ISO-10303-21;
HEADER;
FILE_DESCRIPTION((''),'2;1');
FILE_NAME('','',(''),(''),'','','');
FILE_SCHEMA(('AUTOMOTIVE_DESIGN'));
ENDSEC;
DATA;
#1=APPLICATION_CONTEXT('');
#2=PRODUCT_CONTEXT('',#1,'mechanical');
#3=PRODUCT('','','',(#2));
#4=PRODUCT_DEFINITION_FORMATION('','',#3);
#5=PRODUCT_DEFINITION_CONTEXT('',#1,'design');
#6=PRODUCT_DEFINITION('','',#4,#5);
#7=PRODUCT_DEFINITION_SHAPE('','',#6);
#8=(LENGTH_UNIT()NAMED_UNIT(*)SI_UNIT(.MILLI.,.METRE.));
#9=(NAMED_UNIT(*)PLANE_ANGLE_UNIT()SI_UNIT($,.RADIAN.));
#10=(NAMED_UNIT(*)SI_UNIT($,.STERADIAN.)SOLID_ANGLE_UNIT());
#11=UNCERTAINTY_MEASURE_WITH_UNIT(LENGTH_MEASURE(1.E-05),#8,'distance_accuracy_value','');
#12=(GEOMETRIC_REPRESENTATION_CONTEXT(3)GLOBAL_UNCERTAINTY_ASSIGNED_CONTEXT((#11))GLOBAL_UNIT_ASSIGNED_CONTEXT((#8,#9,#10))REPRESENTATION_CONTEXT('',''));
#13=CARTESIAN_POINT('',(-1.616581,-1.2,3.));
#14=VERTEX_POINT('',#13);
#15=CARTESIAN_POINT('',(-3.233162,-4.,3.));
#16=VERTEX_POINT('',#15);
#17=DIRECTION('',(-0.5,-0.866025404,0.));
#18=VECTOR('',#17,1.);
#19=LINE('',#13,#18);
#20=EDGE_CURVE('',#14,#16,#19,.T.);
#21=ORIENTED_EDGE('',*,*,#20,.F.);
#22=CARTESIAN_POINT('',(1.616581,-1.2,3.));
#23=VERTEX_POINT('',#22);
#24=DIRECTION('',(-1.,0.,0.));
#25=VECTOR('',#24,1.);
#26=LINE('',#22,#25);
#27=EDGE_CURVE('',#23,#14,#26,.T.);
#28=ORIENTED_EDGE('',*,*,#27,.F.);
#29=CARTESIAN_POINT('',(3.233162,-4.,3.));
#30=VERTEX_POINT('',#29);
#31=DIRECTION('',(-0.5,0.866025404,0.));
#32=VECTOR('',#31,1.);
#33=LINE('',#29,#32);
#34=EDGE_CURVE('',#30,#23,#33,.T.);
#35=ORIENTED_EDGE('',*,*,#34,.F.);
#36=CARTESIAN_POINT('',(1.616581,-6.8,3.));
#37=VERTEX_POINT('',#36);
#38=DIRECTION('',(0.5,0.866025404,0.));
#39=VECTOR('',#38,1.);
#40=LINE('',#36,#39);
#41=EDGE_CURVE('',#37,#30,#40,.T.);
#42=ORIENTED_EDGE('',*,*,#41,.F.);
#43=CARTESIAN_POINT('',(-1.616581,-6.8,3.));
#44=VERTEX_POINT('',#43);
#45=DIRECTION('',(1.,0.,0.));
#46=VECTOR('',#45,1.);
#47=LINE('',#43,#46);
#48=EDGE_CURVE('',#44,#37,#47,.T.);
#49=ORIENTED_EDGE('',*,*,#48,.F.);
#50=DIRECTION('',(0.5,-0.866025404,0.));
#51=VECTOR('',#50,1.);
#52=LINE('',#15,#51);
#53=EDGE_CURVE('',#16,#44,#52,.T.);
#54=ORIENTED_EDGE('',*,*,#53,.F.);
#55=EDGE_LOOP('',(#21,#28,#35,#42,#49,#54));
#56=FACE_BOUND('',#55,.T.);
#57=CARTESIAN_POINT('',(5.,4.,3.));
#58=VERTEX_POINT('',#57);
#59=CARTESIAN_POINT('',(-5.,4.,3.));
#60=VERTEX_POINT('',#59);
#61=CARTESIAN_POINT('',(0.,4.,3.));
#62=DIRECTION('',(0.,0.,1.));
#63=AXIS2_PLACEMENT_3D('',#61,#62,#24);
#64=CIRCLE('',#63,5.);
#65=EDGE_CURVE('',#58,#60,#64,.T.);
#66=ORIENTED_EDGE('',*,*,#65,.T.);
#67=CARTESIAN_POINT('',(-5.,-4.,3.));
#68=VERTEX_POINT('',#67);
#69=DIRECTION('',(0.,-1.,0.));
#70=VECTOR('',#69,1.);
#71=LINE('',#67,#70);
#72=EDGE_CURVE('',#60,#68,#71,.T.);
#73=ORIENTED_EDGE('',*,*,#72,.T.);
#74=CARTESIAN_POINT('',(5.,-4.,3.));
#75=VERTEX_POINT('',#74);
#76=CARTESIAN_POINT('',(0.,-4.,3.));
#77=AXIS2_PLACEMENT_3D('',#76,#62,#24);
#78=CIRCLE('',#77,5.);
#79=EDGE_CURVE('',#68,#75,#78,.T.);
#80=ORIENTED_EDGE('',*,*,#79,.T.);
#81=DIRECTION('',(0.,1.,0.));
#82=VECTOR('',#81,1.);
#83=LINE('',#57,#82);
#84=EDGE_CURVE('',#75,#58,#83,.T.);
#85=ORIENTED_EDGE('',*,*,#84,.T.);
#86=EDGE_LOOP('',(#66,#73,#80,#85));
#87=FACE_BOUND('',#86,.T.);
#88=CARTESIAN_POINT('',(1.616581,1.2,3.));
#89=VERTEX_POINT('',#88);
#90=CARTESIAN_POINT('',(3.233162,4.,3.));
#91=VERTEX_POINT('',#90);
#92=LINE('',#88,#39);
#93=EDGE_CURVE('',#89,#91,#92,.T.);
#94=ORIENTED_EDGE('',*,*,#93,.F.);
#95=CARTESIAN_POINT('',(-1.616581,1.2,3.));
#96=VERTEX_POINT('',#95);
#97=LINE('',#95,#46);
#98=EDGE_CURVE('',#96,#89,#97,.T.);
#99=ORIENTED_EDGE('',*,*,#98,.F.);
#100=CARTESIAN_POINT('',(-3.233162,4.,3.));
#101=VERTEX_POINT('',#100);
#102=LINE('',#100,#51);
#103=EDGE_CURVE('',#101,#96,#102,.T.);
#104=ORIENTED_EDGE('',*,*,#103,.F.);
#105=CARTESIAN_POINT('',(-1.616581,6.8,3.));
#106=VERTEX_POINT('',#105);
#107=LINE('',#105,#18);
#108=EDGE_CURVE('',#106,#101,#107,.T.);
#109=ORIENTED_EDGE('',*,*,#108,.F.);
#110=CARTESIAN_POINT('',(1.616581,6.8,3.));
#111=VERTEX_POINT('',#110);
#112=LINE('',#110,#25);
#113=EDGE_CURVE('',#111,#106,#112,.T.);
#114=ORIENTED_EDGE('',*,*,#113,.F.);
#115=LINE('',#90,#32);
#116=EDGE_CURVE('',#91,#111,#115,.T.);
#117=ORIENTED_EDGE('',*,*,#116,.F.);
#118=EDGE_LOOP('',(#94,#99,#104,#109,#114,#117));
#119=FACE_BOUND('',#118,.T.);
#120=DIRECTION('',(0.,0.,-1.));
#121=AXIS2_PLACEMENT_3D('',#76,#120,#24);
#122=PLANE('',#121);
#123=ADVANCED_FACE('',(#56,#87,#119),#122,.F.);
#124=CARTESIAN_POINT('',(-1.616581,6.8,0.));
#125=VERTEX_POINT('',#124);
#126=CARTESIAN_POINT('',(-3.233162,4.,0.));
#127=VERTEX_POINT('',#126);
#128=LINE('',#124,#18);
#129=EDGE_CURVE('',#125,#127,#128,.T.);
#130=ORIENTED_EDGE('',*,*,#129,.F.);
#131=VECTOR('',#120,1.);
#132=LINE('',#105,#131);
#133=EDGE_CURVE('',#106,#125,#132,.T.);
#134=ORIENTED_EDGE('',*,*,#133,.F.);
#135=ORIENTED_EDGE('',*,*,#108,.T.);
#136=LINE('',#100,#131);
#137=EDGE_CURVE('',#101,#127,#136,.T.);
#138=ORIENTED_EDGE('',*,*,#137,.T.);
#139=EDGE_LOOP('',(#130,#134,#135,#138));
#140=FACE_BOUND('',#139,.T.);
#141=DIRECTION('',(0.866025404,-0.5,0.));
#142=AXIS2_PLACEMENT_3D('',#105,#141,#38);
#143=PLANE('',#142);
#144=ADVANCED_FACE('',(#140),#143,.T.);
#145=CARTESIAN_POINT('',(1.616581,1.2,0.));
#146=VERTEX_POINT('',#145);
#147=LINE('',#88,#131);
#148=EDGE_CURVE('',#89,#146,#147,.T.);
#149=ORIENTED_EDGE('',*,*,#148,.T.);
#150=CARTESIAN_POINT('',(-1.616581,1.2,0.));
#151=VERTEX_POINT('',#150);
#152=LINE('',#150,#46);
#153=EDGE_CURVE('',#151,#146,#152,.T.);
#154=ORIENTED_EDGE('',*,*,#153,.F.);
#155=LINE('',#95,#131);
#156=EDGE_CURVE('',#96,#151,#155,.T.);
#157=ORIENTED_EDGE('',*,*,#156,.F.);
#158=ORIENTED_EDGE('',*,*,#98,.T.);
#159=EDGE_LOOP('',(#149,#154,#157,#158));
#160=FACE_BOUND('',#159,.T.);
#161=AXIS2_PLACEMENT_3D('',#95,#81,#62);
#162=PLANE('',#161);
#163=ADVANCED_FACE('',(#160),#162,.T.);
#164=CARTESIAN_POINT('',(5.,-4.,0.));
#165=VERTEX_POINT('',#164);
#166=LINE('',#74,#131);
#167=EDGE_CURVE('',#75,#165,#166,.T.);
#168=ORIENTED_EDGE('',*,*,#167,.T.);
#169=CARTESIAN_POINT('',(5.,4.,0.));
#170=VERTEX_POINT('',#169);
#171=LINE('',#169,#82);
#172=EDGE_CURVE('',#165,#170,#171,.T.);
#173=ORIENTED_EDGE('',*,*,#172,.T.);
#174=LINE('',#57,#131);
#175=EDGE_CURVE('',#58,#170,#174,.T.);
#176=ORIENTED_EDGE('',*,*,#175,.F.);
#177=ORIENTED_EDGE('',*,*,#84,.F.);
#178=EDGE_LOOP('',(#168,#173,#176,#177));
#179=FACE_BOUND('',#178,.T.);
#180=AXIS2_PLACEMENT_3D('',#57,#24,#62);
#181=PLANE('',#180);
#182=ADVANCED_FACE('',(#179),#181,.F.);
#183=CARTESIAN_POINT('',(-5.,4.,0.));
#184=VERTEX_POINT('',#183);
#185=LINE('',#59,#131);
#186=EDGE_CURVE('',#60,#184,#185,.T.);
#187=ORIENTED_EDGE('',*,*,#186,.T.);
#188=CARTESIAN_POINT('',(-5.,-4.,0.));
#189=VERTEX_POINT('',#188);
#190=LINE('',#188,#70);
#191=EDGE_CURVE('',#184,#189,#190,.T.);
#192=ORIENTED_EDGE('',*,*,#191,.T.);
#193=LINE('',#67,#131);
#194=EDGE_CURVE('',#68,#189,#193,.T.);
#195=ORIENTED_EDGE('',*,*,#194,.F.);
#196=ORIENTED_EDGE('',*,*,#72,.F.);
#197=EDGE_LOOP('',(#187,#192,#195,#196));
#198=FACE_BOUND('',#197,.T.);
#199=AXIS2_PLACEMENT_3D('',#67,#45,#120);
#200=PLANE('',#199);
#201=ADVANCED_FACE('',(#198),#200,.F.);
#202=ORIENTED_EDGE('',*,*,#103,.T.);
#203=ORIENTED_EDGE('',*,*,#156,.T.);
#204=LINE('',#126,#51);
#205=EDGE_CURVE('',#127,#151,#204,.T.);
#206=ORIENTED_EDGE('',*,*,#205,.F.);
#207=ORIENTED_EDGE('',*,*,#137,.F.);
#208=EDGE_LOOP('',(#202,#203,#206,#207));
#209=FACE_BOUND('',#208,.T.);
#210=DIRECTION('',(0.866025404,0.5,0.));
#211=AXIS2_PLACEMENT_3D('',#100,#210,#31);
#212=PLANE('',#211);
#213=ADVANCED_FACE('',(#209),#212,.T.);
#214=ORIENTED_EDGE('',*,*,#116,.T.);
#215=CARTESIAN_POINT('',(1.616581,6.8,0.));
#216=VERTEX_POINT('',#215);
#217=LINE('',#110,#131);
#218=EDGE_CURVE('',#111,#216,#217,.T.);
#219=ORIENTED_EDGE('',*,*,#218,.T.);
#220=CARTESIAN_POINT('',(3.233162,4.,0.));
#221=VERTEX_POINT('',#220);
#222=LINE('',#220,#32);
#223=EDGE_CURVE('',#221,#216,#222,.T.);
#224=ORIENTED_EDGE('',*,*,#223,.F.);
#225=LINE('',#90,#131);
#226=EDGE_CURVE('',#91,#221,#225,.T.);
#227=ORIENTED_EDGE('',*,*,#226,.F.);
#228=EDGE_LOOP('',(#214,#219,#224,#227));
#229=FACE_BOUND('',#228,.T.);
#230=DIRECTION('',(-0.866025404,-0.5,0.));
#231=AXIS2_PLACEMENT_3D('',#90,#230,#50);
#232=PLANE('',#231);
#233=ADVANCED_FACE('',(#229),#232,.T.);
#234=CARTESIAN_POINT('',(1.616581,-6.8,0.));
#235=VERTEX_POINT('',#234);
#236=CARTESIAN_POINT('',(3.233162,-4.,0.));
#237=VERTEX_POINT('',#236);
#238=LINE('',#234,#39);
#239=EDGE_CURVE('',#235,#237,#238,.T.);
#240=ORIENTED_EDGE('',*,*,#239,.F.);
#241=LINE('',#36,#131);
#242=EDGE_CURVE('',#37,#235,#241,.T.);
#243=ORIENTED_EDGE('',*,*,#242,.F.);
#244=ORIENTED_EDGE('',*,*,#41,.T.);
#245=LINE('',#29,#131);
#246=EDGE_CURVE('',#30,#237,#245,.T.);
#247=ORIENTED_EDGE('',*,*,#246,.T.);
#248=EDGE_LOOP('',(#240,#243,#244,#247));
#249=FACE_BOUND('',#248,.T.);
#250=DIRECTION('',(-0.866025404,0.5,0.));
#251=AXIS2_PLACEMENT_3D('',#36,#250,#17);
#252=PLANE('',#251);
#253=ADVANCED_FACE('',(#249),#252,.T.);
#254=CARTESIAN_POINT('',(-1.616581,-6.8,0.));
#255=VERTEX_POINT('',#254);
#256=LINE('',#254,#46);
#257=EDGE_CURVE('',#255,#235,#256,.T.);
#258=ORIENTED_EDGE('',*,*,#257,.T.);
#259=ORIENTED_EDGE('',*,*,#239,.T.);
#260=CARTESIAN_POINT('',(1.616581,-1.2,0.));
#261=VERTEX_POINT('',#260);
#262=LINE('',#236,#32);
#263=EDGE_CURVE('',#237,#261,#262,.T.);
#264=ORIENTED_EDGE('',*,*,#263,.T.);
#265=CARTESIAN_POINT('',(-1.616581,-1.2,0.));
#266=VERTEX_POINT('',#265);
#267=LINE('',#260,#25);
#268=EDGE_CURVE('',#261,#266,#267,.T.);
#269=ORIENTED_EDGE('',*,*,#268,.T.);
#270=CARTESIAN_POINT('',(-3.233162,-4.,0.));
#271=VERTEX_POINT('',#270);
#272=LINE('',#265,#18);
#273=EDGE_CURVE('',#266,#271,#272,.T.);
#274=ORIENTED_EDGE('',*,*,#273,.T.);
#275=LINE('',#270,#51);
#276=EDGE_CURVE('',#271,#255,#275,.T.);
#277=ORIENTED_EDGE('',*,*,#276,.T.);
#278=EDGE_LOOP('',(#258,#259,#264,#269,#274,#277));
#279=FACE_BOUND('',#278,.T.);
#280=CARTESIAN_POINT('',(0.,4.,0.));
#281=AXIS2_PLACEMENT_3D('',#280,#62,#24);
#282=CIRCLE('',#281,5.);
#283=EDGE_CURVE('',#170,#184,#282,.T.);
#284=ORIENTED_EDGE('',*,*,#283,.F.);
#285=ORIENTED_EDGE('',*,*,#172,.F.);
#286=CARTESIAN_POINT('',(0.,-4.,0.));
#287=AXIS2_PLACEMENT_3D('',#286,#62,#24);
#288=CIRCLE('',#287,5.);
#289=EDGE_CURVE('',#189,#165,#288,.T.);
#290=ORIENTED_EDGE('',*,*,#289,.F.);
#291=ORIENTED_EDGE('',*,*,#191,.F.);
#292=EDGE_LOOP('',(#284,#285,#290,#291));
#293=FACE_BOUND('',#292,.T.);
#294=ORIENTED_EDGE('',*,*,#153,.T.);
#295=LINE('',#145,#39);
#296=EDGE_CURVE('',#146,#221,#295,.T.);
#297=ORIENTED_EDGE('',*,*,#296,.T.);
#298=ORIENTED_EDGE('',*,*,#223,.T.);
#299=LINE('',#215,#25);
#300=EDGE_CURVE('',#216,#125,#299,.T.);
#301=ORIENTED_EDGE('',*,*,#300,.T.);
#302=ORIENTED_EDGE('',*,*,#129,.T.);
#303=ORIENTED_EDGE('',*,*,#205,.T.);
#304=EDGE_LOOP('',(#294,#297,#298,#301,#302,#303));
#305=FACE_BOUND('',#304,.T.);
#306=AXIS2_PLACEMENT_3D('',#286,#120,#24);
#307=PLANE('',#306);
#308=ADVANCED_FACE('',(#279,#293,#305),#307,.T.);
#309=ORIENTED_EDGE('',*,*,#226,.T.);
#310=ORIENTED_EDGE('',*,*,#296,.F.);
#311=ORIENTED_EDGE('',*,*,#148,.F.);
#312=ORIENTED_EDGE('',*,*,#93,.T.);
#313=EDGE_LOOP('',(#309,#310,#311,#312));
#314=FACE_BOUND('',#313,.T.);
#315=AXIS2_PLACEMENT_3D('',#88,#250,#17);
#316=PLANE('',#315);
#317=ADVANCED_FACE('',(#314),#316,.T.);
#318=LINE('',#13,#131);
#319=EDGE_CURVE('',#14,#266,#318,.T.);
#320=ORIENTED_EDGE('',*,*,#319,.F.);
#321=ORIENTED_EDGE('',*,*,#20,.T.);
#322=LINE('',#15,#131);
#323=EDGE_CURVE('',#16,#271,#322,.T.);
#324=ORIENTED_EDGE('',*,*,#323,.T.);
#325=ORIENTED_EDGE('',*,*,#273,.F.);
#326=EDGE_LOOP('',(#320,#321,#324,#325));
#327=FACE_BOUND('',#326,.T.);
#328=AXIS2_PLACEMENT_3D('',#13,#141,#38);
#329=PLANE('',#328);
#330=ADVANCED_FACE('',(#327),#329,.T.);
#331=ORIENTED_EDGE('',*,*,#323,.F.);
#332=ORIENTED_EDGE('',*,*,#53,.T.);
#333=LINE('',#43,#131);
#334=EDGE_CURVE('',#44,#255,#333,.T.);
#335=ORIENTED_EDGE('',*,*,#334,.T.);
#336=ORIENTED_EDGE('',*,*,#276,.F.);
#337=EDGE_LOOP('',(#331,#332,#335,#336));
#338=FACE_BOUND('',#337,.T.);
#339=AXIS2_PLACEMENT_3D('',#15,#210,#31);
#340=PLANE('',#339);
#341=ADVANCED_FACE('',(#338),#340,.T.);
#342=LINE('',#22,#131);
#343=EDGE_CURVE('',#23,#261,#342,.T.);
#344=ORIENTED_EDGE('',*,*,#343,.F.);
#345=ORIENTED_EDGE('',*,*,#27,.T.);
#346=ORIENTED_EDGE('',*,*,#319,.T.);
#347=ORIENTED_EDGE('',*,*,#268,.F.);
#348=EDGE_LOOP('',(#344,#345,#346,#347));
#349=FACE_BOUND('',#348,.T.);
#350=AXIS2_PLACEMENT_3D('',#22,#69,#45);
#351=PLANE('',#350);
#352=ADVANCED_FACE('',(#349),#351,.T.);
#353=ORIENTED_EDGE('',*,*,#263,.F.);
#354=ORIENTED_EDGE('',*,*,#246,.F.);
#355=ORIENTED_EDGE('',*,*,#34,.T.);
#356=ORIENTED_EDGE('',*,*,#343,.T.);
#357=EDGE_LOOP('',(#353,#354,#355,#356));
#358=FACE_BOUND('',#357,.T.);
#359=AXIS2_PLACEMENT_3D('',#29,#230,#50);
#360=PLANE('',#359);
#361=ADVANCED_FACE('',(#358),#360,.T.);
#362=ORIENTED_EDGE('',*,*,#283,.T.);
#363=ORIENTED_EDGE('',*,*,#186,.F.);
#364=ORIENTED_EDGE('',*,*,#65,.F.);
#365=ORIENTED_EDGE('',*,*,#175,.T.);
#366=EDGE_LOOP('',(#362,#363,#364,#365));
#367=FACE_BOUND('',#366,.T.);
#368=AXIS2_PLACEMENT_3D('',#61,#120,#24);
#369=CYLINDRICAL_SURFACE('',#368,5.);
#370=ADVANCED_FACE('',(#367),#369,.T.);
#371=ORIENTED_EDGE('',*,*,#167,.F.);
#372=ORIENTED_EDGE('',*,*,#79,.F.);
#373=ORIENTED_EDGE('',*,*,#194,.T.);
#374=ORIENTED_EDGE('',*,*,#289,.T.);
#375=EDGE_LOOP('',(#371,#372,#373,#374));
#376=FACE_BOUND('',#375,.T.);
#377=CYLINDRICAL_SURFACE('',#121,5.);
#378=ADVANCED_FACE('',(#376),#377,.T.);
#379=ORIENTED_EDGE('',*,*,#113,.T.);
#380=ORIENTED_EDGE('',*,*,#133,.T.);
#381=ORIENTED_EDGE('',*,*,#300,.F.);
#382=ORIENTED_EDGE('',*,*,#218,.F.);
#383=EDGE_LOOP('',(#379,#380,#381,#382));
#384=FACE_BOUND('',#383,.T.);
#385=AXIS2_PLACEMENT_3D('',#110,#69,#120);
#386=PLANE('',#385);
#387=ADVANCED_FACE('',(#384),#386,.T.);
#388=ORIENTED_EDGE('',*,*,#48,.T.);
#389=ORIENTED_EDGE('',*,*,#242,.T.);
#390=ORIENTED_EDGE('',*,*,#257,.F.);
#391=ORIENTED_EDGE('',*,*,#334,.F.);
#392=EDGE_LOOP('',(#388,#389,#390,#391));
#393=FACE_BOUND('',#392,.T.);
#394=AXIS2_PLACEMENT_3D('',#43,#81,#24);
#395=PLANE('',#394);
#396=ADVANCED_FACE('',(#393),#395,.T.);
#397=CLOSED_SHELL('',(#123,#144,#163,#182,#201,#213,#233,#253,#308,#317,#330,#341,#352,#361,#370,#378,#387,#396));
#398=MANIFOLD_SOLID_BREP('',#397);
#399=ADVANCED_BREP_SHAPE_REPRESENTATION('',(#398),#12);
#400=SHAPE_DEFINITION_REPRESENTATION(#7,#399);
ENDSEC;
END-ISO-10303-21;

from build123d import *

# Parameters (mm, degrees)
BOSS_EXTRUDE1_DEPTH = 3


with BuildPart() as part:
    # Sketch1 → Boss-Extrude1 (new body)
    with BuildSketch(Plane.XY):
        with BuildLine():
            Line((-5, -4), (-5, 4))
            ThreePointArc((-5, 4), (0, 9), (5, 4))
            Line((5, 4), (5, -4))
            ThreePointArc((5, -4), (0, -9), (-5, -4))
        make_face()
        Polygon((1.616580754, 1.2), (3.233161507, 4), (1.616580754, 6.8), (-1.616580754, 6.8), (-3.233161507, 4), (-1.616580754, 1.2), align=None, mode=Mode.SUBTRACT)
        Polygon((3.233161507, -4), (1.616580754, -1.2), (-1.616580754, -1.2), (-3.233161507, -4), (-1.616580754, -6.8), (1.616580754, -6.8), align=None, mode=Mode.SUBTRACT)
    extrude(amount=BOSS_EXTRUDE1_DEPTH)


solid = part.part
